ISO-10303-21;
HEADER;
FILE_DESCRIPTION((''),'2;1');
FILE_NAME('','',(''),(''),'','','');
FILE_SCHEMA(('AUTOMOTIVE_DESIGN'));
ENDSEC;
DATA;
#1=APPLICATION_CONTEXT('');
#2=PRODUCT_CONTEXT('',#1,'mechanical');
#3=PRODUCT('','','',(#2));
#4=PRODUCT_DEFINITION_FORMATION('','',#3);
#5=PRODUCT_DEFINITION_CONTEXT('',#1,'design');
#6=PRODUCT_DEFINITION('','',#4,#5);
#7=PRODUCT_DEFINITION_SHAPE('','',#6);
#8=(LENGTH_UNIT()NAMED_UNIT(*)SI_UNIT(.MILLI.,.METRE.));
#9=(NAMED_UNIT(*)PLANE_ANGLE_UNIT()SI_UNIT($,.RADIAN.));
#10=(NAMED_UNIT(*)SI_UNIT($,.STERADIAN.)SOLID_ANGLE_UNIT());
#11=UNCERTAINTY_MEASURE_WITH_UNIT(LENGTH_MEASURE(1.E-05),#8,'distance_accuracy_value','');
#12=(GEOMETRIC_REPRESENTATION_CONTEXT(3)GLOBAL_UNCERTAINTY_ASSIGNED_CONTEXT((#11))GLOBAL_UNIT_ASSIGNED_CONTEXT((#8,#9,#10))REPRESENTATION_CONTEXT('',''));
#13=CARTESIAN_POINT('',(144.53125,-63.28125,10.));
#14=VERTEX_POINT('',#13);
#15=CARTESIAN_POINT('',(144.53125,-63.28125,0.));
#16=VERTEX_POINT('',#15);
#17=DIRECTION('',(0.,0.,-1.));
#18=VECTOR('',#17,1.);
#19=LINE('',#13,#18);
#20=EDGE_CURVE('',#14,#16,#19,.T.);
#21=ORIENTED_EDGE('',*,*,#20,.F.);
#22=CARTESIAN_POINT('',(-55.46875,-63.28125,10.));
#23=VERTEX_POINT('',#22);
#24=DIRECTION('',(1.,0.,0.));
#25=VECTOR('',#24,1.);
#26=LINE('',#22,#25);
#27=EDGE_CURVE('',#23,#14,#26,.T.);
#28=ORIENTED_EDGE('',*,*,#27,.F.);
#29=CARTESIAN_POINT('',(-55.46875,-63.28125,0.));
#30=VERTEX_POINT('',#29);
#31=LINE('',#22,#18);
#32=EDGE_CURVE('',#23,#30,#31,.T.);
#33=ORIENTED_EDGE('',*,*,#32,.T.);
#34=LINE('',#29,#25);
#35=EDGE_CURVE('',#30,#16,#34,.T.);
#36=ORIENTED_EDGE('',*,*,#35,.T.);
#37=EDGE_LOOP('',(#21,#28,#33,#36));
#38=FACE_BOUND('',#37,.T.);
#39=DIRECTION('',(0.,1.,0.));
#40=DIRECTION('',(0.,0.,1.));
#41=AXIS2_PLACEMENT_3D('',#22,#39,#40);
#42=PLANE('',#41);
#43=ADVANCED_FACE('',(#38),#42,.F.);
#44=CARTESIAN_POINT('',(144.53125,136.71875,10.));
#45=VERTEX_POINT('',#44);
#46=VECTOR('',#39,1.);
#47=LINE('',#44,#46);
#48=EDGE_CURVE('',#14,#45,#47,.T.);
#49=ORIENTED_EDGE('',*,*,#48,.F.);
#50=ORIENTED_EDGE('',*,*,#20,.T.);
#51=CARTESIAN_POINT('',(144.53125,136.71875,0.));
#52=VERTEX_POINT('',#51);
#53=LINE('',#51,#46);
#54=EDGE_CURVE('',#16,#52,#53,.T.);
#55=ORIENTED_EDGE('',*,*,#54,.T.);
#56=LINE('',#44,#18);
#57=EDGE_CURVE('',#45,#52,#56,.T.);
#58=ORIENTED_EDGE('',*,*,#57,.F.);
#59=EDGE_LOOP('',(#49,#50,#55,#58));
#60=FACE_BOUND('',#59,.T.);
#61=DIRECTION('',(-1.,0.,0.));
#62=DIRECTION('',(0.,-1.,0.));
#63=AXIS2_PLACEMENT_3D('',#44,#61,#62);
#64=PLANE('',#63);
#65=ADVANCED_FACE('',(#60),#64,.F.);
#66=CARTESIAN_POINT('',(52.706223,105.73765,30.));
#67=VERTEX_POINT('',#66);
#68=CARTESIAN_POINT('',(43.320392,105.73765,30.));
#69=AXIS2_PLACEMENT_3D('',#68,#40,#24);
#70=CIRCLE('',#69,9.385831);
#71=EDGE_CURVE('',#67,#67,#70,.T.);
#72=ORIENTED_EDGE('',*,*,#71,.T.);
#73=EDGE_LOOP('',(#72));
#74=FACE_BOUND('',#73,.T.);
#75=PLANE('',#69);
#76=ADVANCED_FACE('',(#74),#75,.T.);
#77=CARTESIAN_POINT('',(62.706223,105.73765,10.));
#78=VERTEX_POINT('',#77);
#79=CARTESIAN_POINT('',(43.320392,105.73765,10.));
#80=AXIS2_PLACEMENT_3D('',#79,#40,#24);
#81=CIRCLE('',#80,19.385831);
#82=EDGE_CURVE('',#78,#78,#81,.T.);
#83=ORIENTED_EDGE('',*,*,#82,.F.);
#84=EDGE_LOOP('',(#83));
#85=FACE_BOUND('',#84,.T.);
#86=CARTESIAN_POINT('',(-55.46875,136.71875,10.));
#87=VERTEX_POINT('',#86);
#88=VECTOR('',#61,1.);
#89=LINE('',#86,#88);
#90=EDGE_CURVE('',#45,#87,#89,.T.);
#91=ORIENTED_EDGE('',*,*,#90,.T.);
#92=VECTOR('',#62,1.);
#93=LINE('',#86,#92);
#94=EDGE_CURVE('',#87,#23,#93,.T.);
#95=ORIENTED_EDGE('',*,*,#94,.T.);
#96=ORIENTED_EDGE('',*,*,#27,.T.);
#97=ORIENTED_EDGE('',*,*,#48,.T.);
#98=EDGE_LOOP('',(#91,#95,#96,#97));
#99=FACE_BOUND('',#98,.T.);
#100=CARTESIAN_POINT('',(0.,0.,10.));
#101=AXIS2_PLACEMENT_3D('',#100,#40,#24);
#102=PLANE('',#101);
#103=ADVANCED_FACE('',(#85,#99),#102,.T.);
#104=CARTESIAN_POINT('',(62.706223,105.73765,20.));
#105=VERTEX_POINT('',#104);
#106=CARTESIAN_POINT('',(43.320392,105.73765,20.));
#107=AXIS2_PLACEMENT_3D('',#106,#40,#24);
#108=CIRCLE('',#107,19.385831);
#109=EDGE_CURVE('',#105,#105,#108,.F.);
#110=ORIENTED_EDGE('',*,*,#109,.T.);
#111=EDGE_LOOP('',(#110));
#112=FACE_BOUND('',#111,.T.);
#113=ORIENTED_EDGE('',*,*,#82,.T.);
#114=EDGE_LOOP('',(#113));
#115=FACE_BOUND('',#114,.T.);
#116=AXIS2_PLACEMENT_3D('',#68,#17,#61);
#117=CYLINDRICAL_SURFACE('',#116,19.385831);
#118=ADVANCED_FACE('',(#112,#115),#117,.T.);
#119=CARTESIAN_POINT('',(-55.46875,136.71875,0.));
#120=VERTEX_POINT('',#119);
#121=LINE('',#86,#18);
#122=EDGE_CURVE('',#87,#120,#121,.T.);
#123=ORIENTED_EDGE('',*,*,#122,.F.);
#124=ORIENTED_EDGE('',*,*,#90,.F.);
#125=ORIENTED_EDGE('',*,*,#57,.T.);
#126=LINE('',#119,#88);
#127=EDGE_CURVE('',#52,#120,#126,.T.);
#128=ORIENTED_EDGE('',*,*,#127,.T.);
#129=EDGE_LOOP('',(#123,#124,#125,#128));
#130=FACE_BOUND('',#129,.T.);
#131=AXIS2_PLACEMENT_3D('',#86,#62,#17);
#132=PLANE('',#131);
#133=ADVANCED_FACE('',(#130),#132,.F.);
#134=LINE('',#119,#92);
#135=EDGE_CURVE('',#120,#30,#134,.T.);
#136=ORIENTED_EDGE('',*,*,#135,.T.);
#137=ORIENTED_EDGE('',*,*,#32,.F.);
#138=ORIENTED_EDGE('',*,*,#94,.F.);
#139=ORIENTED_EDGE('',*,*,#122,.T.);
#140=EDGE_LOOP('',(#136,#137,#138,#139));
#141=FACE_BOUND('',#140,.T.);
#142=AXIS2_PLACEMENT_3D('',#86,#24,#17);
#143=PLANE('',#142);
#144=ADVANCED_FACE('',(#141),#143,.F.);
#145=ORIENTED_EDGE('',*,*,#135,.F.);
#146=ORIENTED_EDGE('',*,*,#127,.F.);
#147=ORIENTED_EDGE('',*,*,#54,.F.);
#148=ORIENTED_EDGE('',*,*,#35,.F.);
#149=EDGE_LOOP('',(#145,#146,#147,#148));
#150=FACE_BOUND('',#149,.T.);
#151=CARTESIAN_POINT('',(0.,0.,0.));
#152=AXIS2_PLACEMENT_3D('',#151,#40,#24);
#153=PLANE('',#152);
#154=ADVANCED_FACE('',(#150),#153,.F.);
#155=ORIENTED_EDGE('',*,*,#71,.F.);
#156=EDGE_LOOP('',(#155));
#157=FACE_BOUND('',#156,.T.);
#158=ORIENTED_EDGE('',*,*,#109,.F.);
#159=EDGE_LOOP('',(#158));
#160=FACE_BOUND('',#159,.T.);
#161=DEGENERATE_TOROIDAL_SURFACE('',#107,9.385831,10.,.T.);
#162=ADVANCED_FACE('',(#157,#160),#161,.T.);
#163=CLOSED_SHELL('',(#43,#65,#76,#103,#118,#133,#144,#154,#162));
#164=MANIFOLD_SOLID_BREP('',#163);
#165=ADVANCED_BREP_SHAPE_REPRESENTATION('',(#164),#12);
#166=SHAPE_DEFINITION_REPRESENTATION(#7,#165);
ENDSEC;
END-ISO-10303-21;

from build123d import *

# Parameters (mm, degrees)
SKETCH1_W           = 200
SKETCH1_H           = 200
BOSS_EXTRUDE1_DEPTH = 10
SKETCH2_R           = 19.385831102
BOSS_EXTRUDE2_DEPTH = 20
FILLET1_R           = 10


with BuildPart() as part:
    # Sketch1 → Boss-Extrude1 (new body)
    with BuildSketch(Plane.XY):
        with Locations((44.53125, 36.71875)):
            Rectangle(SKETCH1_W, SKETCH1_H)
    extrude(amount=BOSS_EXTRUDE1_DEPTH)

    # Sketch2 → Boss-Extrude2 (add)
    with BuildSketch(Plane.XY.offset(10)):
        with Locations((43.320392106, 105.737649961)):
            Circle(SKETCH2_R)
    extrude(amount=BOSS_EXTRUDE2_DEPTH)

    # Fillet1
    fillet1_edges = [part.edges().sort_by_distance(p)[0] for p in [
        (23.934561004, 105.737649961, 30),
    ]]
    fillet(fillet1_edges, radius=FILLET1_R)


solid = part.part
